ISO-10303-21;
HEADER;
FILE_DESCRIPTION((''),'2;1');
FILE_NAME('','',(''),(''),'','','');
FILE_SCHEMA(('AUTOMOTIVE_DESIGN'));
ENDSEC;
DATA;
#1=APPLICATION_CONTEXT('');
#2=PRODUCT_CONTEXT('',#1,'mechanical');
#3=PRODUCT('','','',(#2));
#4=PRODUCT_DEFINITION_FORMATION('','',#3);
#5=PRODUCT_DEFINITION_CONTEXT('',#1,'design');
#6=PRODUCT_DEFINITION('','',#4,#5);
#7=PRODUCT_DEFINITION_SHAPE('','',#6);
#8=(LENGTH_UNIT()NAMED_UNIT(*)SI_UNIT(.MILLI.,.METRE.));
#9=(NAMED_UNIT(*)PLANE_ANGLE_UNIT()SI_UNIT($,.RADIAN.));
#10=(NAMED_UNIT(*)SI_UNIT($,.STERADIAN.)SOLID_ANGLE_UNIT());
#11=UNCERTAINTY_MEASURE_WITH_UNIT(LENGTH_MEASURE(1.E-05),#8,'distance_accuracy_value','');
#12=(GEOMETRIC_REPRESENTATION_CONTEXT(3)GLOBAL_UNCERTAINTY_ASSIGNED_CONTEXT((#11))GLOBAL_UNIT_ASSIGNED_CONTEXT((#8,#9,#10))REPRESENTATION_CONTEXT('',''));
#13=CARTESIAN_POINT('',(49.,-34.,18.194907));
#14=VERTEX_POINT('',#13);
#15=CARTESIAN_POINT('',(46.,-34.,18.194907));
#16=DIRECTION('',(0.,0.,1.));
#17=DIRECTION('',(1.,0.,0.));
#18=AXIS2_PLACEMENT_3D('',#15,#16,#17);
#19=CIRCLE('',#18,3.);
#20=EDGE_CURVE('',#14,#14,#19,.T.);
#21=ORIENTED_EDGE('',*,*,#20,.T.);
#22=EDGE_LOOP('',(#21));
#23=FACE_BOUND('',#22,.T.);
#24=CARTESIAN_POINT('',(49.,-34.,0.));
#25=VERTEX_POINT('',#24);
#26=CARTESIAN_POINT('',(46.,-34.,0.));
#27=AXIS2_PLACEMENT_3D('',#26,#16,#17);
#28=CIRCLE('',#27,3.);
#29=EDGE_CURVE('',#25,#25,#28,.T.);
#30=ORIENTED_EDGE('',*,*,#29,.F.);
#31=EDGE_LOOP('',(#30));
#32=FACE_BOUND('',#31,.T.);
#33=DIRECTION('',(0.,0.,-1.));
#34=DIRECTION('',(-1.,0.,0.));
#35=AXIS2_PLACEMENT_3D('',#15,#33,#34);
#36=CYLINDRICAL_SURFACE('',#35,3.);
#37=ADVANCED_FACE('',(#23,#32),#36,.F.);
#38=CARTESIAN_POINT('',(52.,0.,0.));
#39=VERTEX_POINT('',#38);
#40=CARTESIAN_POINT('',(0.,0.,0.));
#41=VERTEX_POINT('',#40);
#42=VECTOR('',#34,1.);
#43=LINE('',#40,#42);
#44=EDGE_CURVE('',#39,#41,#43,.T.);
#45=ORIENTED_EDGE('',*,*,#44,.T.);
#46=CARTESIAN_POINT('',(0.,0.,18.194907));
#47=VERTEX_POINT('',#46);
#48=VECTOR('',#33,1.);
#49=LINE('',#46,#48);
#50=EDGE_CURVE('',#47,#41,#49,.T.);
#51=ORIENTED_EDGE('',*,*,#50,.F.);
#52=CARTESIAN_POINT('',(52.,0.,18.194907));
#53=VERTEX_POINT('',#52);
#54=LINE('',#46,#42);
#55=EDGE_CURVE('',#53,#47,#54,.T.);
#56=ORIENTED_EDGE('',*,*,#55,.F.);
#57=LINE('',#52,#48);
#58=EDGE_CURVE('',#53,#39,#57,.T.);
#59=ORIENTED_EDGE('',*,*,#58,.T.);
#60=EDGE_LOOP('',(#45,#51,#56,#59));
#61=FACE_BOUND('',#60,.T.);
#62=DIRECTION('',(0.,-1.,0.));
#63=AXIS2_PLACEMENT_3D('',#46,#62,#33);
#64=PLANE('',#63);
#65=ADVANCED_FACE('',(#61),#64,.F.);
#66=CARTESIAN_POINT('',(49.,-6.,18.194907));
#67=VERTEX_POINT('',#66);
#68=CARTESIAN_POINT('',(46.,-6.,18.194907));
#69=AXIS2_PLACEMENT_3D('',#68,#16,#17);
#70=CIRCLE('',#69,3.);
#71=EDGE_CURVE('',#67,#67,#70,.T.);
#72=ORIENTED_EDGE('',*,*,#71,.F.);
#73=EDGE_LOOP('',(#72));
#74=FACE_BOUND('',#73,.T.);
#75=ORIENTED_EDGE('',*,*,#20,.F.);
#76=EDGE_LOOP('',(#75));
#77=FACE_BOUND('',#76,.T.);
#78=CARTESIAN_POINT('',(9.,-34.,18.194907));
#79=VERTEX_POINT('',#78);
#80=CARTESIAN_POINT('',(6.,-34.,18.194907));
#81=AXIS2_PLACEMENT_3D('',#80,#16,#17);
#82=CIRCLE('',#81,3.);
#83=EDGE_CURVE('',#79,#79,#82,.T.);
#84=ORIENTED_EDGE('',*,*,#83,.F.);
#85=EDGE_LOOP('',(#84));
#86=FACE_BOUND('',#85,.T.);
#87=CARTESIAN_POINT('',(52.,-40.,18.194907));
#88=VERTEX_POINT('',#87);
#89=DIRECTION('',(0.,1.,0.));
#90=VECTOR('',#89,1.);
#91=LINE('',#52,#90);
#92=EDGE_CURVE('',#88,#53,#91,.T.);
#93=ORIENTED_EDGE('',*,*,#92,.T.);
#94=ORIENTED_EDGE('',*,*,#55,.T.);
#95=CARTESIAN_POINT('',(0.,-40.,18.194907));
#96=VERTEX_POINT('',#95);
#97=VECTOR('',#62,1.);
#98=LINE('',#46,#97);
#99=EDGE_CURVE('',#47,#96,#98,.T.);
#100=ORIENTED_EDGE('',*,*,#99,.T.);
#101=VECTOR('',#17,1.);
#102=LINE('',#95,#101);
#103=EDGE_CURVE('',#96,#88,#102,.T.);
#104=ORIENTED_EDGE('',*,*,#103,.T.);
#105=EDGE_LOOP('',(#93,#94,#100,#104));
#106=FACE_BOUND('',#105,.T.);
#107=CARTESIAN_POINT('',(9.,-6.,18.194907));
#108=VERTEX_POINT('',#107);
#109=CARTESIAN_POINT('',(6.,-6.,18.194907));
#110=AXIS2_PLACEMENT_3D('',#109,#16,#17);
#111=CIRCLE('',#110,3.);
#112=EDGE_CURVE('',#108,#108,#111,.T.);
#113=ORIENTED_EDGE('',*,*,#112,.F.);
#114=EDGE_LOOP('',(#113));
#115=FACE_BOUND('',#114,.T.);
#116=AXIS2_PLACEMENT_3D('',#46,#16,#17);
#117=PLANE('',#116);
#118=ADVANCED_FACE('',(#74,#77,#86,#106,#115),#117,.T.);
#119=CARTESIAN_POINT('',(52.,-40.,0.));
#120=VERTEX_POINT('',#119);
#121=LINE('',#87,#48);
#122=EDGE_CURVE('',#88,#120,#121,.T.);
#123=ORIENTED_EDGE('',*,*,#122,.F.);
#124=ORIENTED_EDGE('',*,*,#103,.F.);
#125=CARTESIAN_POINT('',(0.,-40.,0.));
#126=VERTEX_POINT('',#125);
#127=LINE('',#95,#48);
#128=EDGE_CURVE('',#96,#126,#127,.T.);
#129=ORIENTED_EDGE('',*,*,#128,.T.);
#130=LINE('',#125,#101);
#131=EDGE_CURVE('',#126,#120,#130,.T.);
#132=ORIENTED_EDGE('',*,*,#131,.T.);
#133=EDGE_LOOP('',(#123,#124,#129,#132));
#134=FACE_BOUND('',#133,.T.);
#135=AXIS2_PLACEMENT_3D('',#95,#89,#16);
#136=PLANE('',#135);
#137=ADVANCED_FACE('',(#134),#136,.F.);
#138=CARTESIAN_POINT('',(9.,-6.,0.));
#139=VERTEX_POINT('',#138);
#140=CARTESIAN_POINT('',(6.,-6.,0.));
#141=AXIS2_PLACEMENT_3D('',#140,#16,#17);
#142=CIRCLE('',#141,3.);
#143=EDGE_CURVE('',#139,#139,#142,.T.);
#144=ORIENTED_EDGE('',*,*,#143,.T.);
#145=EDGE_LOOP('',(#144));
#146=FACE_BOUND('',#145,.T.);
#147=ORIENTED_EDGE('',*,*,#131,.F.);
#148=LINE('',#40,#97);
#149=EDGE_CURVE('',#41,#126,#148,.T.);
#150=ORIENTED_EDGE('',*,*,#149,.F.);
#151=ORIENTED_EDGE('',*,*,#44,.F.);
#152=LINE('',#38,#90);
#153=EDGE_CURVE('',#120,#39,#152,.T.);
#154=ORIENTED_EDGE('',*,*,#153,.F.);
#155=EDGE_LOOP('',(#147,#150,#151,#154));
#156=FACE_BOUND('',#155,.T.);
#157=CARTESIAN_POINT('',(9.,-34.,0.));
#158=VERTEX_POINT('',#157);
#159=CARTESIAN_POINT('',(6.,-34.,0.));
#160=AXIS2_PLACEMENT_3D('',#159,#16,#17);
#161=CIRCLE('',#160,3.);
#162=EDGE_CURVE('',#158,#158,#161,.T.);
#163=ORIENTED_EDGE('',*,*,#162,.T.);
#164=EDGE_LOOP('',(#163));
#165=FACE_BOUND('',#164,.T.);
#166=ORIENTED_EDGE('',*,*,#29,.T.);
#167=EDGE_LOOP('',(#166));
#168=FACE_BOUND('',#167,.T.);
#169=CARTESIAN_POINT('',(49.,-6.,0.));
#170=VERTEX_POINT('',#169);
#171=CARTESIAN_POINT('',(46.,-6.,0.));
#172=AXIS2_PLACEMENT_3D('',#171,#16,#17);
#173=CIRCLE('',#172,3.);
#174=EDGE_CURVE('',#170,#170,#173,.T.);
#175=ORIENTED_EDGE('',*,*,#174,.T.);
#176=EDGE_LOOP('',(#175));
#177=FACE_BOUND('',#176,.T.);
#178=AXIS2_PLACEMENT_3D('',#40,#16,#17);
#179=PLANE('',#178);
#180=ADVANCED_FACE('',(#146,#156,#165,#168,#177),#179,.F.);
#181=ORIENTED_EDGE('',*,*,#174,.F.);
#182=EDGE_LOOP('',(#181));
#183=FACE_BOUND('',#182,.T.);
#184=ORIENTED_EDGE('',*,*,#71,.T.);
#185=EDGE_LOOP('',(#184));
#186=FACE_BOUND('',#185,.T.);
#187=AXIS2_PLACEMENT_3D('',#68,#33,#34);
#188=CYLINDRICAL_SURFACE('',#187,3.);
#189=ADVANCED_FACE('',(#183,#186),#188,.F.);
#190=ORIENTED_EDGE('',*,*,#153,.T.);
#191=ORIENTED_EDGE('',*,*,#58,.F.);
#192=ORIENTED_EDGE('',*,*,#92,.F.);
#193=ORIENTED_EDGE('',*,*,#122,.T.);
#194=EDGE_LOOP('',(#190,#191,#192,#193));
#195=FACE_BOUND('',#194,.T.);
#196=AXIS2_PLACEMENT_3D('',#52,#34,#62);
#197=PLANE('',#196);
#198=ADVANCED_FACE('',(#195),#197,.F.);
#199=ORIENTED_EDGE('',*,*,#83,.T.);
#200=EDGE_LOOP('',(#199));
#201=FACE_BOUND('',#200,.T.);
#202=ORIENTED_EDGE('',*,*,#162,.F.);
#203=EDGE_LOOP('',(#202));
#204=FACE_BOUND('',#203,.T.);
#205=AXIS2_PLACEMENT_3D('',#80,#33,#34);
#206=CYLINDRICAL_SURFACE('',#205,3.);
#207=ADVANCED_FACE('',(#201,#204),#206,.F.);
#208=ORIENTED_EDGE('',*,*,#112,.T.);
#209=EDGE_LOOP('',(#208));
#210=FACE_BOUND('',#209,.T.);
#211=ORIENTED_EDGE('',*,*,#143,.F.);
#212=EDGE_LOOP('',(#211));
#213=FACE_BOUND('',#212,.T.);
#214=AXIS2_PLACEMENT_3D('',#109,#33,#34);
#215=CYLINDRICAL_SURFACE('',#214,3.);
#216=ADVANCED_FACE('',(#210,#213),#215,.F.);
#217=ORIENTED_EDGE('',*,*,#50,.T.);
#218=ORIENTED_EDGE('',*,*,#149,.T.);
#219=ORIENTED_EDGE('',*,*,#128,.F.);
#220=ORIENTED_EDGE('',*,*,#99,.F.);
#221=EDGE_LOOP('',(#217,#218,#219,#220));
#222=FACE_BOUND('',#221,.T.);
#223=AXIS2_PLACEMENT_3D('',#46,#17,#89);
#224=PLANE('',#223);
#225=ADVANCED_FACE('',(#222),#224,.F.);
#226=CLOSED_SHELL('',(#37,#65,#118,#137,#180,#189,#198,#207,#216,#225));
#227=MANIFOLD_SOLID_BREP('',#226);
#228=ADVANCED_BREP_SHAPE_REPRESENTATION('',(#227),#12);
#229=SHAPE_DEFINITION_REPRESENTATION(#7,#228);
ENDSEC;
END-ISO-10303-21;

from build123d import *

# Parameters (mm, degrees)
SKETCH1_W           = 52
SKETCH1_H           = 40
SKETCH1_R           = 3
BOSS_EXTRUDE1_DEPTH = 18.19490677


with BuildPart() as part:
    # Sketch1 → Boss-Extrude1 (new body)
    with BuildSketch(Plane.XY):
        with Locations((26, -20)):
            Rectangle(SKETCH1_W, SKETCH1_H)
        with Locations((6, -6)):
            Circle(SKETCH1_R, mode=Mode.SUBTRACT)
        with Locations((46, -6)):
            Circle(SKETCH1_R, mode=Mode.SUBTRACT)
        with Locations((6, -34)):
            Circle(SKETCH1_R, mode=Mode.SUBTRACT)
        with Locations((46, -34)):
            Circle(SKETCH1_R, mode=Mode.SUBTRACT)
    extrude(amount=BOSS_EXTRUDE1_DEPTH)


solid = part.part
